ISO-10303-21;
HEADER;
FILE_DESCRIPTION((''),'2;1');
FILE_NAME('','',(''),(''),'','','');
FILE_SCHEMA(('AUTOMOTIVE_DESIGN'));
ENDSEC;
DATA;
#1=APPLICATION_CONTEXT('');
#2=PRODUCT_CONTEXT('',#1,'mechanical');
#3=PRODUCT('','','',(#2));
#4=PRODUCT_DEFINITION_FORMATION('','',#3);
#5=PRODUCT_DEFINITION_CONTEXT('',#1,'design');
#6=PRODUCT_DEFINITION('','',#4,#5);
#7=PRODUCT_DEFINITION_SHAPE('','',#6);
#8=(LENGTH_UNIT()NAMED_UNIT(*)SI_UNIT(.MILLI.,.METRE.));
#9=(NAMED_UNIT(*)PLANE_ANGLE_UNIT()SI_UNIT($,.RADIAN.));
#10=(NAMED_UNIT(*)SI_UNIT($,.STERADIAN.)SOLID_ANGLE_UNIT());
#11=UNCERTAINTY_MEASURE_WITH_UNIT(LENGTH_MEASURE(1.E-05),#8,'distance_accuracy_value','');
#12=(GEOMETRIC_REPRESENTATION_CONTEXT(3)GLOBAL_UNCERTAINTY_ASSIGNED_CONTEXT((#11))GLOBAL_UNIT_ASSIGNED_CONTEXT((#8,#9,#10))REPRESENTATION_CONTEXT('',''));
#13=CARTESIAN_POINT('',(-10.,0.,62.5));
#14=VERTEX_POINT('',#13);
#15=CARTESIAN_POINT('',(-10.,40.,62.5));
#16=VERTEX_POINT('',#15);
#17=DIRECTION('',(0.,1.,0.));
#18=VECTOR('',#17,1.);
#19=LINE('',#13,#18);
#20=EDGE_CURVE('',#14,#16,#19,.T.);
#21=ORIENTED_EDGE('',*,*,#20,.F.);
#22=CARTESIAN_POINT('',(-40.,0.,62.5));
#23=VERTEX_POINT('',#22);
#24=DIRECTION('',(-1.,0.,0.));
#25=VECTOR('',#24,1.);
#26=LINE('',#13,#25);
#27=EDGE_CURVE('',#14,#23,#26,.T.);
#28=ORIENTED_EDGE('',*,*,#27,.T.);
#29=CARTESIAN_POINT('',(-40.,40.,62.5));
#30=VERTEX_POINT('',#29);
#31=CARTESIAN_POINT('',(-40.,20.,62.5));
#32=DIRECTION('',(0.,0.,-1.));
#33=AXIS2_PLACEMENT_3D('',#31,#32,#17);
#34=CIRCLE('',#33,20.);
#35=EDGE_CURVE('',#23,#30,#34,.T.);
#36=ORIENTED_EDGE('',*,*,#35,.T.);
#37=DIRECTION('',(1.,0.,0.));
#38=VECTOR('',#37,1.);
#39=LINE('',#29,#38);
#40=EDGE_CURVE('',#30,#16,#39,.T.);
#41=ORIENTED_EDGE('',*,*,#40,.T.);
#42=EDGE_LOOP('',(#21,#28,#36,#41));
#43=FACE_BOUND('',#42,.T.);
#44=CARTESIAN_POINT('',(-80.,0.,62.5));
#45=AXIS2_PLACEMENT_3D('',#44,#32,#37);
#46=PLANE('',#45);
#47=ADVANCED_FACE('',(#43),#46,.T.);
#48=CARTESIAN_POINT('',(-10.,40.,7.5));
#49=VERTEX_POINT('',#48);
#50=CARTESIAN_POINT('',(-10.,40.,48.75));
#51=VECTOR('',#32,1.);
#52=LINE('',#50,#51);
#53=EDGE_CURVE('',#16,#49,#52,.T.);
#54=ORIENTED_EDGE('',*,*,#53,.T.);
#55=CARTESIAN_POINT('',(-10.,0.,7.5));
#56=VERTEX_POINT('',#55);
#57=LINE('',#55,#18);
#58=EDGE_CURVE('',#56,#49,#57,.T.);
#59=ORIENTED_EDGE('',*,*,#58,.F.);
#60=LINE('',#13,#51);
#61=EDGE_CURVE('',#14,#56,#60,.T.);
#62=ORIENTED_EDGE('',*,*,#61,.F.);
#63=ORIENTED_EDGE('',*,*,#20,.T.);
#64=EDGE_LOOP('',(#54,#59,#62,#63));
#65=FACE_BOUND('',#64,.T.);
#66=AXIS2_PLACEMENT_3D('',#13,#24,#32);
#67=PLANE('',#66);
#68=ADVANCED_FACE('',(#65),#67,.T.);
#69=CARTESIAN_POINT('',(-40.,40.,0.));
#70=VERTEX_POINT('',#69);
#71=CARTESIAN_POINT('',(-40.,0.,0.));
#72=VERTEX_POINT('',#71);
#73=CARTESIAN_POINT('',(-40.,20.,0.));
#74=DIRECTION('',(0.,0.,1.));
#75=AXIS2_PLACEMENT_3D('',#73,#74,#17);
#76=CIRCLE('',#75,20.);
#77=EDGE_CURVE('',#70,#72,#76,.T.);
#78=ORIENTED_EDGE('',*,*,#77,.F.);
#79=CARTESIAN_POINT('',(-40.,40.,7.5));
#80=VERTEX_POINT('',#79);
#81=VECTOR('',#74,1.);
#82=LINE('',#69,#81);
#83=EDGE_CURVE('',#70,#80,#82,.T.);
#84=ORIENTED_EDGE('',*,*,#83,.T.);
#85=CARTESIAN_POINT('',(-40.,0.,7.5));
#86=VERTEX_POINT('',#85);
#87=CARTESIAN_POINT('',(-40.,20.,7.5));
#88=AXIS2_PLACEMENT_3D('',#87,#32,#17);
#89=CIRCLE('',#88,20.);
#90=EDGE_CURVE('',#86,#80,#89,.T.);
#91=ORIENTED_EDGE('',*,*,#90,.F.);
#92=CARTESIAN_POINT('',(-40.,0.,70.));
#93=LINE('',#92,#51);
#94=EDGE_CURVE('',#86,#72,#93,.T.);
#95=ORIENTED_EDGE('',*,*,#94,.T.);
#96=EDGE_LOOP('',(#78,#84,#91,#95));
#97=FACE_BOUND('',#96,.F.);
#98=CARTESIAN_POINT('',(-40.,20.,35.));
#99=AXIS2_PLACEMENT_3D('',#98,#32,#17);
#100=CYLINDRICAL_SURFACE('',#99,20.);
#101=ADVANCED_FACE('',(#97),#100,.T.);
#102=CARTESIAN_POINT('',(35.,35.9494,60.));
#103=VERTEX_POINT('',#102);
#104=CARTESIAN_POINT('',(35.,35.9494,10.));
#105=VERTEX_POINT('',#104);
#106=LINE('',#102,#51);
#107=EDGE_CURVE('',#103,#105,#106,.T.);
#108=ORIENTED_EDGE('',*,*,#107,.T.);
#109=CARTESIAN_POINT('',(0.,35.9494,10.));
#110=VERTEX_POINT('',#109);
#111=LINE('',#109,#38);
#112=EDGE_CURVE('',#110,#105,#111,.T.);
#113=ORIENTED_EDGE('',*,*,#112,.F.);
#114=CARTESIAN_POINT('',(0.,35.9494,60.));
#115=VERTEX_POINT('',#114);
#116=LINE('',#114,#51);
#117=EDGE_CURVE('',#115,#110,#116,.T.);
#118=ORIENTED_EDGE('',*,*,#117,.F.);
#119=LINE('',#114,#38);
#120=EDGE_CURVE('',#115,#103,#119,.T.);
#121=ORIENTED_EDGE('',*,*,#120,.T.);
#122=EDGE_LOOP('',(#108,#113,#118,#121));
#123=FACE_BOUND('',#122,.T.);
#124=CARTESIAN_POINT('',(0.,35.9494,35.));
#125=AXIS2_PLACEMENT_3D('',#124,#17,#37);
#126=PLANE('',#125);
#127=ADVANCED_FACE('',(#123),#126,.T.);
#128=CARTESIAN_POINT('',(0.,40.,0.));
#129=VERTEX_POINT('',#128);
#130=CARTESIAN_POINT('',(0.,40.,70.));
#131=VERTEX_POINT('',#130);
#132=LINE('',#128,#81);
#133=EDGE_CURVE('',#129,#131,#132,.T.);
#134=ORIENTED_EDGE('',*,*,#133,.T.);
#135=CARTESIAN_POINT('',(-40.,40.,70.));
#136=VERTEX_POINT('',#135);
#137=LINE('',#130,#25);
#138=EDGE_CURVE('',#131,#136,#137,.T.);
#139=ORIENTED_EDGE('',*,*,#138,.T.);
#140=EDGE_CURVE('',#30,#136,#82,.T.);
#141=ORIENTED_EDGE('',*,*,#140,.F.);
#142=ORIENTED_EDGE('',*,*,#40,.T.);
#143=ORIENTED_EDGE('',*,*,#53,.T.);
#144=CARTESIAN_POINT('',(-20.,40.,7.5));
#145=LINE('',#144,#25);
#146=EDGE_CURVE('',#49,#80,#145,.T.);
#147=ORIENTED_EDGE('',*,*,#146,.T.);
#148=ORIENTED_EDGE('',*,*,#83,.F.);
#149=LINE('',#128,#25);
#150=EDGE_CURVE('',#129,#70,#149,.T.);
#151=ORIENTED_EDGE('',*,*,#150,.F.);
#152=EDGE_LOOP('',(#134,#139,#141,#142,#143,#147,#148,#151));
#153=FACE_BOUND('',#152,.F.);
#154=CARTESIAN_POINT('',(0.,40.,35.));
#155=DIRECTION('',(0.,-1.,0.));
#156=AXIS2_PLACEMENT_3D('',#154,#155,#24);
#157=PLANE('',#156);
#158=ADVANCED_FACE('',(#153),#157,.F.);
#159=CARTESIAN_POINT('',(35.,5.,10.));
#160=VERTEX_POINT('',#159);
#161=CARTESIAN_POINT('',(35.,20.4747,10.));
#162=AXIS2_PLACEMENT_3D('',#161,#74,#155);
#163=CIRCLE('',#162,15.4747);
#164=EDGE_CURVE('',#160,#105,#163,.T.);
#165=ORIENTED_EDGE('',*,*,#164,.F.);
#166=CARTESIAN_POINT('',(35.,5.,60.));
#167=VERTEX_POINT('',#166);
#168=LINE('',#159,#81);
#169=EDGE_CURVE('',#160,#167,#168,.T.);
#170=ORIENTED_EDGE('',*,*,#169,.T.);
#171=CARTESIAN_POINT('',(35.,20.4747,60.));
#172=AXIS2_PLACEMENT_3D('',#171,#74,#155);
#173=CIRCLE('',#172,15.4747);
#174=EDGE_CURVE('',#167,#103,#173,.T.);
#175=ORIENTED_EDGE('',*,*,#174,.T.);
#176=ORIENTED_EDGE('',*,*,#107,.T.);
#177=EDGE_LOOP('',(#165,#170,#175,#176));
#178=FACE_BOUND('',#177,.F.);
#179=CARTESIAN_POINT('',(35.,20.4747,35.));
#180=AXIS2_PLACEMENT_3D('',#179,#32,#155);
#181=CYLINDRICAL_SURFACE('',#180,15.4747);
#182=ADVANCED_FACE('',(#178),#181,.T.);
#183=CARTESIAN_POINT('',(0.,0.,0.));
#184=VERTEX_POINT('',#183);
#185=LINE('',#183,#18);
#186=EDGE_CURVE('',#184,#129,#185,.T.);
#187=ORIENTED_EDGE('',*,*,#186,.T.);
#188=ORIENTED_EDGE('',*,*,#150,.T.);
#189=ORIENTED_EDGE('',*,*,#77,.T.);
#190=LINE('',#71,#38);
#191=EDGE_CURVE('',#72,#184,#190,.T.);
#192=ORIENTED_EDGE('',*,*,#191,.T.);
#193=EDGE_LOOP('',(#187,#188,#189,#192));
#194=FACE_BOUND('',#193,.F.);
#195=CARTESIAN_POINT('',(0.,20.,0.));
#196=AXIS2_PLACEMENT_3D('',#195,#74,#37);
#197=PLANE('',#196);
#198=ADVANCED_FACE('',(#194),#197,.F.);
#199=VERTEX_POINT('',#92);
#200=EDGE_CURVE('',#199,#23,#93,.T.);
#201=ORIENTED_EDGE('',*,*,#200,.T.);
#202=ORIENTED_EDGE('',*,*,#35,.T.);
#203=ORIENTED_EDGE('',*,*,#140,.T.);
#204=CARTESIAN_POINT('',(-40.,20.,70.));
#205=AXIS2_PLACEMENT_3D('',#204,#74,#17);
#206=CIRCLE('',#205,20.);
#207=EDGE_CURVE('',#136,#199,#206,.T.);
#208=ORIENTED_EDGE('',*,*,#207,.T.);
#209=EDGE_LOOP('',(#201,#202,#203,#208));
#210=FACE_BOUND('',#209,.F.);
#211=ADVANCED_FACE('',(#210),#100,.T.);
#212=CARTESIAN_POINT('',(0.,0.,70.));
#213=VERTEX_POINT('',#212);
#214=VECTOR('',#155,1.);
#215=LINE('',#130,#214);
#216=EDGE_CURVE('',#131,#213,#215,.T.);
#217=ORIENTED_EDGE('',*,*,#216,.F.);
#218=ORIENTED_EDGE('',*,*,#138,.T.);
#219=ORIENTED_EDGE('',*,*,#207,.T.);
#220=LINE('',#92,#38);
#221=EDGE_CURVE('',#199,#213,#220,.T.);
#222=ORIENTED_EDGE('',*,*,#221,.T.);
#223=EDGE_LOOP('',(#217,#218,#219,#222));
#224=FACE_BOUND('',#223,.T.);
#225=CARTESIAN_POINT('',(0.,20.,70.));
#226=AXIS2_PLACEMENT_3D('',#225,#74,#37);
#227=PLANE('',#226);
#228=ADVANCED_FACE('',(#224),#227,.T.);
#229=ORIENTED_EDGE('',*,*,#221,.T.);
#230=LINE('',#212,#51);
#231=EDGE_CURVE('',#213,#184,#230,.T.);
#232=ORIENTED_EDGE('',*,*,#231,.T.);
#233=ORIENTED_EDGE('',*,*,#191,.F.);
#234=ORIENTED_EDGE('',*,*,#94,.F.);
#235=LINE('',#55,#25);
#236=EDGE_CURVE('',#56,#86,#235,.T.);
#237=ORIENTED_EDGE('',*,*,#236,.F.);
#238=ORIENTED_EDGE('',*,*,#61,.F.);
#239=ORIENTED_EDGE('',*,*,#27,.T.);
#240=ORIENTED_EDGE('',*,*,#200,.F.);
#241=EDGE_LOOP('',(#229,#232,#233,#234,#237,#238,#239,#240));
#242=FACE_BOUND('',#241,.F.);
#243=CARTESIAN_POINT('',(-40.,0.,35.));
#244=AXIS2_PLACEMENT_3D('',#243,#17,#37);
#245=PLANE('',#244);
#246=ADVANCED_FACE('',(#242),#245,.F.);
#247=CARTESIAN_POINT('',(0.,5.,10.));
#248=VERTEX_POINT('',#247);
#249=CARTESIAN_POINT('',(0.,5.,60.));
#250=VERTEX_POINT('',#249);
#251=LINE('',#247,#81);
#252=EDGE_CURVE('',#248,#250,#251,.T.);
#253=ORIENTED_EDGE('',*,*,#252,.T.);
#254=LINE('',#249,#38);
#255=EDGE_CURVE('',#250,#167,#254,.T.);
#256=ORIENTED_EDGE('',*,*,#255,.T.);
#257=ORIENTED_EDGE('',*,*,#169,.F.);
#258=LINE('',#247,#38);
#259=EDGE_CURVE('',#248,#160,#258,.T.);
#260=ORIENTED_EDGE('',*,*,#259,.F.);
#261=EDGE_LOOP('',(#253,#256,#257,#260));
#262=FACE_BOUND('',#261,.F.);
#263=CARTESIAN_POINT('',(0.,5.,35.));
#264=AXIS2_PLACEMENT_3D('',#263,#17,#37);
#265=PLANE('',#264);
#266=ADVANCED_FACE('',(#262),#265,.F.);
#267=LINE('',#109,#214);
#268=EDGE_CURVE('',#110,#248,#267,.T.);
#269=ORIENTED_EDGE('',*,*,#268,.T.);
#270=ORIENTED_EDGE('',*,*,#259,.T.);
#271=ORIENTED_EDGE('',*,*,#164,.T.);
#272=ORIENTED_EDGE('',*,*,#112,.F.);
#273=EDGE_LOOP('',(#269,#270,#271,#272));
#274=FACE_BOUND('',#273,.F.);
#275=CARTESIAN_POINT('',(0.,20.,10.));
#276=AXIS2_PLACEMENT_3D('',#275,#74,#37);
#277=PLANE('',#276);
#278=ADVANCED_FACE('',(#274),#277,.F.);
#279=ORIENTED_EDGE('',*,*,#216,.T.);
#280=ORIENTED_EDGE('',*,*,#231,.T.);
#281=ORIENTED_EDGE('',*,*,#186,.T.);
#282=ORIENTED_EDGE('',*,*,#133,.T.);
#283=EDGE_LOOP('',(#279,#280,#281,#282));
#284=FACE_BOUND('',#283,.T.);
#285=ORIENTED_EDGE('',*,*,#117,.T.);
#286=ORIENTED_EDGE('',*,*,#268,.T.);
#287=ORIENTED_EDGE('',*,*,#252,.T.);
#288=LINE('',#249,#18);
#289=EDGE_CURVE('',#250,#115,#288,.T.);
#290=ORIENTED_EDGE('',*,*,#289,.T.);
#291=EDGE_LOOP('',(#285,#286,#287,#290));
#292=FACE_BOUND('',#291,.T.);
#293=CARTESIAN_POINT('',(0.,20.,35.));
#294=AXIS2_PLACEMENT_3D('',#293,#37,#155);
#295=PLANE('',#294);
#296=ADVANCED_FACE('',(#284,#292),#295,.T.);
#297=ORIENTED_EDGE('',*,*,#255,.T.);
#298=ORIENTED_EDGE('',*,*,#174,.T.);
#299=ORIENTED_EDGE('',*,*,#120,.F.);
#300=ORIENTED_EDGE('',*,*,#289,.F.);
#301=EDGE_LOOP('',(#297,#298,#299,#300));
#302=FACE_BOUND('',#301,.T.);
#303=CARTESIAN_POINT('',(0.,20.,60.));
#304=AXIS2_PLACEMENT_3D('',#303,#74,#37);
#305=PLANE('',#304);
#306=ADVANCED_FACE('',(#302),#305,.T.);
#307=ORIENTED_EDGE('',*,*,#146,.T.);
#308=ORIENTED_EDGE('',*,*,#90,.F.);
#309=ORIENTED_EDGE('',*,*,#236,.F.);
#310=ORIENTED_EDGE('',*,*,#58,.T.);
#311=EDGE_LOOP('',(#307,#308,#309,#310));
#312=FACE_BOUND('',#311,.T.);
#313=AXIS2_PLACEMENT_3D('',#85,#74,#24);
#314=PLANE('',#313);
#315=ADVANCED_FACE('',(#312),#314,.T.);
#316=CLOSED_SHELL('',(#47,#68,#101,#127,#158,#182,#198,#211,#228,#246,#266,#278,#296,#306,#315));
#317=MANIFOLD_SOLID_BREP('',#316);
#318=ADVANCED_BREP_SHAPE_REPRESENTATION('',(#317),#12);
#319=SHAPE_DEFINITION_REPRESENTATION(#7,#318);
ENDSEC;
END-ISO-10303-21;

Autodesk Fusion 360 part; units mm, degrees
sketch "Sketch1" plane through (0, 0, 0) normal (0, 0, 1) x (1, 0, 0)
  line L0 (0, 0) -> (0, 31.8988)
  line L1 (0, 31.8988) -> (70, 31.8988)
  line L2 (0, 0) -> (0, -30)
  line L3 (0, -30) -> (70, -30)
  arc A0 (70, -30) -> (70, 31.8988) centre (70, 0.9494) ccw
  dimension "d1" = 70
  dimension "d2" = 30
  dimension "d23" = 70
extrude "Extrude1" add sketch "Sketch1" along normal mid plane 100
sketch "Sketch6" plane through (0, 0, 0) normal (0, 0, 1) x (1, 0, 0)
  line L0 (0, 0) -> (0, 40)
  line L1 (0, 0) -> (0, -40)
  line L2 (0, 40) -> (-80, 40)
  line L3 (-80, -40) -> (0, -40)
  line L4 (-80, -40) -> (-80, 40) construction
  arc A0 (-80, 40) -> (-80, -40) centre (-80, 0) ccw
  dimension "d24" = 40
  dimension "d25" = 40
  dimension "d42" = 80
extrude "Extrude5" add sketch "Sketch6" along normal mid plane 140
sketch "Sketch8" plane through (0, 0, 70) normal (0, 0, 1) x (-1, 0, 0)
  line L0 (0, 40) -> (0, -40)
  line L1 (0, -40) -> (80, -40)
  line L2 (80, 40) -> (0, 40)
  circle A0 centre (80, 0) radius 17.5 construction
  line L3 (80, 0) -> (80, -30) construction
  line L4 (80, 0) -> (48.1334, 0) construction
  line L5 (80, 0) -> (53.2858, -26.7142) construction
  circle A1 centre (67.6256, -12.3744) radius 2
  circle A2 centre (92.3744, -12.3744) radius 2
  circle A3 centre (92.3744, 12.3744) radius 2
  circle A4 centre (67.6256, 12.3744) radius 2
  arc A5 (80, -40) -> (80, 40) centre (80, 0) ccw
  dimension "d33" = 35
  dimension "d35" = 45
  dimension "d36" = 4
  dimension "d38" = 360
sketch "Sketch9" plane through (0, -40, 0) normal (0, -1, 0) x (1, 0, 0)
  line L0 (0, -70) -> (0, 70)
  line L1 (0, 70) -> (-80, 70)
  line L2 (-80, 70) -> (-80, -70)
  line L3 (-80, -70) -> (0, -70)
  line L4 (-160, 55) -> (-20, 55)
  line L5 (-20, 55) -> (-20, -55)
  line L6 (-20, -55) -> (-160, -55)
  line L7 (-160, -55) -> (-160, 55)
  dimension "d44" = 15
  dimension "d45" = 15
  dimension "d46" = 20
extrude "Extrude8" cut sketch "Sketch9" against normal blind 140 contours L2 L4 L6 L7 | L2 L4 L5 L6
sketch "Sketch10" plane through (0, 0, 0) normal (0, 1, 0) x (1, 0, 0)
  line L0 (70, -35) -> (70, -15) construction
  line L1 (70, 15) -> (70, 35) construction
  line L2 (70, 50) -> (70, -50)
  point P0 (70, -50)
  point P1 (70, 50)
  dimension "d49" = 20
  dimension "d50" = 20
  dimension "d51" = 30
  dimension "d52" = 15
  dimension "d53" = 15
scale "Scale1" factor 0.5 about (0, 40, 70) bodies 1
